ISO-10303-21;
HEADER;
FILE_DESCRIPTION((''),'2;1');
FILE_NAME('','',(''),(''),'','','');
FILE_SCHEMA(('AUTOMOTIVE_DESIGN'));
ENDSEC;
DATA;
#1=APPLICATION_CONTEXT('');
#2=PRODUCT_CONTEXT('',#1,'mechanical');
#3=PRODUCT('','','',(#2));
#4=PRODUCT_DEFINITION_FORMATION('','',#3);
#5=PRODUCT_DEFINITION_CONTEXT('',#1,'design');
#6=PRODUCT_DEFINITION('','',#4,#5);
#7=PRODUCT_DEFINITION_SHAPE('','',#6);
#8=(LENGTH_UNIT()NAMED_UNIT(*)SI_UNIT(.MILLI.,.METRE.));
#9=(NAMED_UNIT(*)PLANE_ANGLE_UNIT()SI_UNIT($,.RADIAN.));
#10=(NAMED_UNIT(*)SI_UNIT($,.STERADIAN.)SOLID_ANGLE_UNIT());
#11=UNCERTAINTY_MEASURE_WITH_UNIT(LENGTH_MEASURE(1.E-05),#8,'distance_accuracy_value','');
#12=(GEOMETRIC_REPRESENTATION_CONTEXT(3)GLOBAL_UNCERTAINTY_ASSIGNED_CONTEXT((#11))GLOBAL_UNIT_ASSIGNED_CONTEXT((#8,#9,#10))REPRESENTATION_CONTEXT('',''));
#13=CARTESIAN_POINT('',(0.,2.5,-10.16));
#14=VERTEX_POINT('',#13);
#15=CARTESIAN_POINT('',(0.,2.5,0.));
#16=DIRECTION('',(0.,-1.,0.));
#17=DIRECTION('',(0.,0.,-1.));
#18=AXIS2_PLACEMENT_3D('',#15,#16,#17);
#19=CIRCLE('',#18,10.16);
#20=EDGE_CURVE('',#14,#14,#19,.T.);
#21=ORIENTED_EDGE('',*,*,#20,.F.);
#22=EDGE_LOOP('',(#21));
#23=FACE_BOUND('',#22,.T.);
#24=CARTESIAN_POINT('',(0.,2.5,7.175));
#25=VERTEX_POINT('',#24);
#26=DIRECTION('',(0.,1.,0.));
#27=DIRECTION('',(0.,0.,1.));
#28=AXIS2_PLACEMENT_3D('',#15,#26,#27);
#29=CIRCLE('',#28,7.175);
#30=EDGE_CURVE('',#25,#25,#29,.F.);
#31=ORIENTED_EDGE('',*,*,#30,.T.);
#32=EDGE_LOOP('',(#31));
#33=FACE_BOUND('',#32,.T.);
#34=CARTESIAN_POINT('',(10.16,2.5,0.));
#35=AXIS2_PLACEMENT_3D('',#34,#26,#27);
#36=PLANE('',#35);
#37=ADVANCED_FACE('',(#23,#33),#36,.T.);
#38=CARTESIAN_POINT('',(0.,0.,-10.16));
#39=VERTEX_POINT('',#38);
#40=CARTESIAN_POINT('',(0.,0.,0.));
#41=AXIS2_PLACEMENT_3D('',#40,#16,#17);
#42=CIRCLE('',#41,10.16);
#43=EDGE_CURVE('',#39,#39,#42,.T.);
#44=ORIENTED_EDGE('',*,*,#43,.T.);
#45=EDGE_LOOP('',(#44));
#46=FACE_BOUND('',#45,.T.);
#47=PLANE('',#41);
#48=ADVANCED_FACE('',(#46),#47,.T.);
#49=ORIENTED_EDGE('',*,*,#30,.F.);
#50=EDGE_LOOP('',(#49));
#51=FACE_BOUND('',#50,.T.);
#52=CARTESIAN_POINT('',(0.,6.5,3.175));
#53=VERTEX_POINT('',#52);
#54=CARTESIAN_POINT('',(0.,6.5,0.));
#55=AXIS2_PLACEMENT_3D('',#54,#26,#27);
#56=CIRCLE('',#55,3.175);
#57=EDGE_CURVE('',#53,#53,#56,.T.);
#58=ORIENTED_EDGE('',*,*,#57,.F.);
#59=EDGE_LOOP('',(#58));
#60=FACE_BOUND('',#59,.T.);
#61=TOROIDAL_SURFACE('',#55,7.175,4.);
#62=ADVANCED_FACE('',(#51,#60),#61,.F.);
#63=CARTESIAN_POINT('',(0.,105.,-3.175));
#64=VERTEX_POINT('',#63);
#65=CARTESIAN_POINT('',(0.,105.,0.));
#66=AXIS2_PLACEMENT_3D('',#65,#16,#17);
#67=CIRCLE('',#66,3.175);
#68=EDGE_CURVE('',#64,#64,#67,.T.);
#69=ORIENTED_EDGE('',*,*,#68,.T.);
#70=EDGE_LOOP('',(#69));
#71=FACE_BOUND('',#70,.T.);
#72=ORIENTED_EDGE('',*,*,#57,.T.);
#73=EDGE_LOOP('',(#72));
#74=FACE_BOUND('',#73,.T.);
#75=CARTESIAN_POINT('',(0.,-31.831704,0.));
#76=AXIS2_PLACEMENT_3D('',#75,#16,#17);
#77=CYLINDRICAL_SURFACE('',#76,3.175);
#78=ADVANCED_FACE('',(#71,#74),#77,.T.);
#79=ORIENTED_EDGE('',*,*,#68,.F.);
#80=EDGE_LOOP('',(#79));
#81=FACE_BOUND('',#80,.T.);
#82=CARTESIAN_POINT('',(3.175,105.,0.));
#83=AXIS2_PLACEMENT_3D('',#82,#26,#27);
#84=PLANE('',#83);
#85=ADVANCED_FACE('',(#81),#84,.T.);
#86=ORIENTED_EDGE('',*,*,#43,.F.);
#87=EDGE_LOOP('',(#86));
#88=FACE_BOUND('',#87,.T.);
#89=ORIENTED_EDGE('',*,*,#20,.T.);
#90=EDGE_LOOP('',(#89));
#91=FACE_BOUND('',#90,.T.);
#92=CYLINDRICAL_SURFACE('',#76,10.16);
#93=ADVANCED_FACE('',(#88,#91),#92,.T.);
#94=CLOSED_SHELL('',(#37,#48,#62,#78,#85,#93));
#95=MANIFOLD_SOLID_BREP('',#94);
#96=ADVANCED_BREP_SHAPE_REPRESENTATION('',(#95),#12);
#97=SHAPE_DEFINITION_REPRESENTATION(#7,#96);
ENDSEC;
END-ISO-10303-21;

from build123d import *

# Parameters (mm, degrees)
FILLET1_R = 4


with BuildPart() as part:
    # Sketch1 → Revolve1 (revolve)
    with BuildSketch(Plane.XY, mode=Mode.PRIVATE) as revolve1_sk:
        Polygon((0, 0), (10.16, 0), (10.16, 2.5), (3.175, 2.5), (3.175, 105), (0, 105), align=None)
    revolve(revolve1_sk.sketch.rotate(Axis((0, -31.831703756, 0), (0, 1, 0)), 90), axis=Axis((0, -31.831703756, 0), (0, 1, 0)))

    # Fillet1
    fillet1_edges = [part.edges().sort_by_distance(p)[0] for p in [
        (0, 2.5, 3.175),
    ]]
    fillet(fillet1_edges, radius=FILLET1_R)


solid = part.part
